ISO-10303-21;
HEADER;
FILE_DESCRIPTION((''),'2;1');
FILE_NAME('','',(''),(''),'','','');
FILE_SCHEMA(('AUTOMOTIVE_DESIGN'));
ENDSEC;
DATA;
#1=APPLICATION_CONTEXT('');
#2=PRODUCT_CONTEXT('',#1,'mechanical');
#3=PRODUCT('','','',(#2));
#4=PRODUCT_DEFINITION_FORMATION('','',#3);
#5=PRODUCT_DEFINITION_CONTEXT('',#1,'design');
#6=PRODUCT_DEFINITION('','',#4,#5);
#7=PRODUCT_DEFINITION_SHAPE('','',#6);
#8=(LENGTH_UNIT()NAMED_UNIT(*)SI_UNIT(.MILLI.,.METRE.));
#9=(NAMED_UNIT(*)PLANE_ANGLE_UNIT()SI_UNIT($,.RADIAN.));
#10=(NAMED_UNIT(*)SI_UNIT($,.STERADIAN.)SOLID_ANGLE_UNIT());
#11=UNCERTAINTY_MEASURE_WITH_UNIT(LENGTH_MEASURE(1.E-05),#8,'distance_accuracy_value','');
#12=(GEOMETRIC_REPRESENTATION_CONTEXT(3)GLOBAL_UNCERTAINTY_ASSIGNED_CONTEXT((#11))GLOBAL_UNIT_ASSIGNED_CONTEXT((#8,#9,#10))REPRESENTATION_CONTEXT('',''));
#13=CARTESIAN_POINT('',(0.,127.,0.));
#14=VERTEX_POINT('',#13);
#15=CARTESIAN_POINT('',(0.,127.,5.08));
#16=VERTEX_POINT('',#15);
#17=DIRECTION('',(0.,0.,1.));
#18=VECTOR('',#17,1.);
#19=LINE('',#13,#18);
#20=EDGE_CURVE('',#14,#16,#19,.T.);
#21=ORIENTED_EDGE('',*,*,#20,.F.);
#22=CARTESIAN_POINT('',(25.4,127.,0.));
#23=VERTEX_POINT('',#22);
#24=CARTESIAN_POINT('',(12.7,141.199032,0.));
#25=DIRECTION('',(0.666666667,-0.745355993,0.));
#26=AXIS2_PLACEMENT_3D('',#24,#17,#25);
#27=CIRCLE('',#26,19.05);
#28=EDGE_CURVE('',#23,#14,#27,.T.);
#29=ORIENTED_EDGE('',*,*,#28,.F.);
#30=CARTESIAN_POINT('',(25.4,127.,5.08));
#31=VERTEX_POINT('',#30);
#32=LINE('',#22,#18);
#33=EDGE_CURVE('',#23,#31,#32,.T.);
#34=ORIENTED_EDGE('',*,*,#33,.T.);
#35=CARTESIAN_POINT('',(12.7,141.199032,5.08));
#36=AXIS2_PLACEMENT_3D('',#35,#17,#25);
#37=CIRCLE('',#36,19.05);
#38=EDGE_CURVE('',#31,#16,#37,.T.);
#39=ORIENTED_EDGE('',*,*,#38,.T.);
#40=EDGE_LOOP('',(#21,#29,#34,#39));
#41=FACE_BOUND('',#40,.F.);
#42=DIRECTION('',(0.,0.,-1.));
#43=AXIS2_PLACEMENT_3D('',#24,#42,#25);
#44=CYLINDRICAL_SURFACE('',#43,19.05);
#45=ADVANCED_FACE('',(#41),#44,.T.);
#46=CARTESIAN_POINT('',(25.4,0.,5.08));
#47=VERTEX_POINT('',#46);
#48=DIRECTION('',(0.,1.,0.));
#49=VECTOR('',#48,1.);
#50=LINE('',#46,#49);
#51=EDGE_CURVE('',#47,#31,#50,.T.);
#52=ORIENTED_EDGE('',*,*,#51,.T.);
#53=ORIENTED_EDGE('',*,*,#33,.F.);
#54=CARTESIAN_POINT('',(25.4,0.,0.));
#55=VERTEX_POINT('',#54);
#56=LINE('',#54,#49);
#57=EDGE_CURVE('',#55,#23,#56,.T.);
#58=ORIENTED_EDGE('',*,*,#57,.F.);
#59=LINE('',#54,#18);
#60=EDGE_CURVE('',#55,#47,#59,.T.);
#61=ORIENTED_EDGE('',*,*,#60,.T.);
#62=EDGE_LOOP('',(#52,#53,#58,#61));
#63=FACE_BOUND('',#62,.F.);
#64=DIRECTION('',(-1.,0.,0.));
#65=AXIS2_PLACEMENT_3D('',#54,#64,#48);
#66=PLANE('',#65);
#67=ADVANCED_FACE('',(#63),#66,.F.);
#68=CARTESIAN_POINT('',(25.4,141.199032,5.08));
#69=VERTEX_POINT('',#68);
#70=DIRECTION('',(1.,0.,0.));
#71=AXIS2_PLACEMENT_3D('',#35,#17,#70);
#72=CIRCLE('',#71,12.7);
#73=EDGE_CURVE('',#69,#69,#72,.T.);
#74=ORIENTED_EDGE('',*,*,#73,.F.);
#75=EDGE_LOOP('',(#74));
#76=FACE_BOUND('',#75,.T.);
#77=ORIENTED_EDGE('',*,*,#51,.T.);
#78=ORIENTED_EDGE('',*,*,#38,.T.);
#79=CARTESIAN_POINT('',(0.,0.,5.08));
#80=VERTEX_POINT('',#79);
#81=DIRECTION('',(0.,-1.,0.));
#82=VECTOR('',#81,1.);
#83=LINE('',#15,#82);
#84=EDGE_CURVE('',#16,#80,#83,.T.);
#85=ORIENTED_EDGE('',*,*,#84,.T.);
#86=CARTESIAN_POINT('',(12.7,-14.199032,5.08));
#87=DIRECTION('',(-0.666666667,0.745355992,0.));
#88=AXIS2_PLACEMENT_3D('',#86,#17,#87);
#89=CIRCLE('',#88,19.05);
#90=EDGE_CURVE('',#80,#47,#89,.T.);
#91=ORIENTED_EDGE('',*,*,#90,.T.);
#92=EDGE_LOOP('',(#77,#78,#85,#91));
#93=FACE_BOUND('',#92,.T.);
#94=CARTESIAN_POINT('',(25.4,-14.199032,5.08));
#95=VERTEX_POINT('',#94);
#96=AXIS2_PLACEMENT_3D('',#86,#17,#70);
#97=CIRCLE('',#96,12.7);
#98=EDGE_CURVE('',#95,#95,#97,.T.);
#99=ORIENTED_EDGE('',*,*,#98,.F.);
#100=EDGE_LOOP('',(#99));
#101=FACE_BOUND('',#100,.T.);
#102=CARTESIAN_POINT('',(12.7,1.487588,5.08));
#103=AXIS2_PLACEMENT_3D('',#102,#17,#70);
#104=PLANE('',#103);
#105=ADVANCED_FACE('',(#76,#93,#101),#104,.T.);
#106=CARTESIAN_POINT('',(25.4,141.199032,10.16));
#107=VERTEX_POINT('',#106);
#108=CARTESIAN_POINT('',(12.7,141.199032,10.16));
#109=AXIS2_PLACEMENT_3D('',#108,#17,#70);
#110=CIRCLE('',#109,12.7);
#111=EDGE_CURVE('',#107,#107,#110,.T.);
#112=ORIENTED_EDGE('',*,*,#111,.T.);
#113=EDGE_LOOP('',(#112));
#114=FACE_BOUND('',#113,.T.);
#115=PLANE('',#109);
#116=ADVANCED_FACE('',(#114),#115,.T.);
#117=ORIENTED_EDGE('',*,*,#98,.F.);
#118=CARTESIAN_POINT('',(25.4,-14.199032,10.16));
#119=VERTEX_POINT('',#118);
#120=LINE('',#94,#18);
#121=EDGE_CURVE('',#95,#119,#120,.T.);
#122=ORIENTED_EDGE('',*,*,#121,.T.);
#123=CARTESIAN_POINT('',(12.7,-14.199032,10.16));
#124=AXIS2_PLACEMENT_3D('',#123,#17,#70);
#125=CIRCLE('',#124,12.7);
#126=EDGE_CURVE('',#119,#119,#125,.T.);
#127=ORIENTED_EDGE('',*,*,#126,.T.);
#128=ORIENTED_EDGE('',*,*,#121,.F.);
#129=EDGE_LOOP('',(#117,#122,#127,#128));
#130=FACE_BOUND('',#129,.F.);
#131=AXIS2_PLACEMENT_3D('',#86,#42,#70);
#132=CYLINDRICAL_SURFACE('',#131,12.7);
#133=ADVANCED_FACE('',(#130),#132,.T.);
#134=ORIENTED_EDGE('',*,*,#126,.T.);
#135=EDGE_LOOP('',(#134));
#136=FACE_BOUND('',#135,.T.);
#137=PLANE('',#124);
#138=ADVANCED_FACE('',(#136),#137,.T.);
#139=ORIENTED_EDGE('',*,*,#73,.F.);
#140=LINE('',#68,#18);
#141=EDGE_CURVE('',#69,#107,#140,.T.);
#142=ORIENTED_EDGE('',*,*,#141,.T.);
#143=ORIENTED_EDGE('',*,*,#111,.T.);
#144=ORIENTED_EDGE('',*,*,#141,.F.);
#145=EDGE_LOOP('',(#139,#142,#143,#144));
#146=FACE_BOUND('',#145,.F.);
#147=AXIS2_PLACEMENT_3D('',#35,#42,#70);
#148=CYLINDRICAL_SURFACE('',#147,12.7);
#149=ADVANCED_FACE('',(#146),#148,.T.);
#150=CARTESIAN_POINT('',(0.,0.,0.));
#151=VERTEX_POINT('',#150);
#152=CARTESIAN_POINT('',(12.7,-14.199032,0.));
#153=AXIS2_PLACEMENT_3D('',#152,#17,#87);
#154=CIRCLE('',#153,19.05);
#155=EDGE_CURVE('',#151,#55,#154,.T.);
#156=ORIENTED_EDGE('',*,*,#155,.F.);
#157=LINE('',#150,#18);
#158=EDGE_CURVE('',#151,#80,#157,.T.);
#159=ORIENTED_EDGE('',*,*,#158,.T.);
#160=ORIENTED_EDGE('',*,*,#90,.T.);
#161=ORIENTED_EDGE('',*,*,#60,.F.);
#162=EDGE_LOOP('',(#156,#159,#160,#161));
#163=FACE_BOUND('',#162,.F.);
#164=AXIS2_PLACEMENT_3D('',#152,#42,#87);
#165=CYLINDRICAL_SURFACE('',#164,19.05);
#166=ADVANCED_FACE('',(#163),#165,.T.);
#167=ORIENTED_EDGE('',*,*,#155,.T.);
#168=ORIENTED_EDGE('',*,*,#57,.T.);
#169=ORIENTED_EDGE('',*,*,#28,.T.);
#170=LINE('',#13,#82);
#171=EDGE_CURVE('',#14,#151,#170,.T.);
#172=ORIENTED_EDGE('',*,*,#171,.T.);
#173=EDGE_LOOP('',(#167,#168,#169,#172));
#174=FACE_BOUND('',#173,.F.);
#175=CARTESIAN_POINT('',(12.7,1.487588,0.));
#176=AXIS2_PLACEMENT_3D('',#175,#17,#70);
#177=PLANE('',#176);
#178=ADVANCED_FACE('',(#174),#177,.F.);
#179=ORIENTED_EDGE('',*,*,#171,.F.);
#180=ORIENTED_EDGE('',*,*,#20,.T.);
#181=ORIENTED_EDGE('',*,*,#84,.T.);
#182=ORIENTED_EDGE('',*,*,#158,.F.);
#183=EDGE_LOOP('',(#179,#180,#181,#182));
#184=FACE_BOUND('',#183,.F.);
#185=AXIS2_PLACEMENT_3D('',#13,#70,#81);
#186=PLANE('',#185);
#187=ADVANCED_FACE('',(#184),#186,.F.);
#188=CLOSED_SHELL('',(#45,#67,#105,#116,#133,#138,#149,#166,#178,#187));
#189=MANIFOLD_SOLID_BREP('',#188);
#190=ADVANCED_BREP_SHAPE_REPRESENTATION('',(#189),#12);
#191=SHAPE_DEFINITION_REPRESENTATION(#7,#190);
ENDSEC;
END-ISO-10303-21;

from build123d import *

# Parameters (mm, degrees)
F1_DEPTH = 5.08
F2_R     = 12.7
F3_DEPTH = 5.08


with BuildPart() as f1:
    # F0 (on Top) → F1 (new body)
    with BuildSketch(Plane.XY):
        with BuildLine():
            ThreePointArc((25.4, 0), (12.7, 4.8509683429), (0, 0))
            Line((0, 0), (25.4, 0))
        make_face()
        with BuildLine():
            Line((0, 127), (0, 0))
            ThreePointArc((0, 0), (12.7, 4.8509683429), (25.4, 0))
            Line((25.4, 0), (25.4, 127))
            ThreePointArc((25.4, 127), (12.7, 122.1490316571), (0, 127))
        make_face()
        with BuildLine():
            Line((25.4, 0), (0, 0))
            ThreePointArc((0, 0), (4.9228700667, -31.5892228579), (31.75, -14.1990316571))
            ThreePointArc((31.75, -14.1990316571), (30.0901912008, -6.4219017238), (25.4, 0))
        make_face()
        with BuildLine():
            ThreePointArc((31.75, 141.1990316571), (4.9228700667, 158.5892228579), (0, 127))
            Line((0, 127), (25.4, 127))
            ThreePointArc((25.4, 127), (30.0901912008, 133.4219017238), (31.75, 141.1990316571))
        make_face()
        with BuildLine():
            Line((25.4, 127), (0, 127))
            ThreePointArc((0, 127), (12.7, 122.1490316571), (25.4, 127))
        make_face()
    extrude(amount=F1_DEPTH)

    # F2 (on face) → F3 (join)
    with BuildSketch(Plane.XY.offset(5.08)):
        with Locations((12.7, -14.1990316571)):
            Circle(F2_R)
        with Locations((12.7, 141.1990316571)):
            Circle(F2_R)
    extrude(amount=F3_DEPTH)


solid = f1.part
